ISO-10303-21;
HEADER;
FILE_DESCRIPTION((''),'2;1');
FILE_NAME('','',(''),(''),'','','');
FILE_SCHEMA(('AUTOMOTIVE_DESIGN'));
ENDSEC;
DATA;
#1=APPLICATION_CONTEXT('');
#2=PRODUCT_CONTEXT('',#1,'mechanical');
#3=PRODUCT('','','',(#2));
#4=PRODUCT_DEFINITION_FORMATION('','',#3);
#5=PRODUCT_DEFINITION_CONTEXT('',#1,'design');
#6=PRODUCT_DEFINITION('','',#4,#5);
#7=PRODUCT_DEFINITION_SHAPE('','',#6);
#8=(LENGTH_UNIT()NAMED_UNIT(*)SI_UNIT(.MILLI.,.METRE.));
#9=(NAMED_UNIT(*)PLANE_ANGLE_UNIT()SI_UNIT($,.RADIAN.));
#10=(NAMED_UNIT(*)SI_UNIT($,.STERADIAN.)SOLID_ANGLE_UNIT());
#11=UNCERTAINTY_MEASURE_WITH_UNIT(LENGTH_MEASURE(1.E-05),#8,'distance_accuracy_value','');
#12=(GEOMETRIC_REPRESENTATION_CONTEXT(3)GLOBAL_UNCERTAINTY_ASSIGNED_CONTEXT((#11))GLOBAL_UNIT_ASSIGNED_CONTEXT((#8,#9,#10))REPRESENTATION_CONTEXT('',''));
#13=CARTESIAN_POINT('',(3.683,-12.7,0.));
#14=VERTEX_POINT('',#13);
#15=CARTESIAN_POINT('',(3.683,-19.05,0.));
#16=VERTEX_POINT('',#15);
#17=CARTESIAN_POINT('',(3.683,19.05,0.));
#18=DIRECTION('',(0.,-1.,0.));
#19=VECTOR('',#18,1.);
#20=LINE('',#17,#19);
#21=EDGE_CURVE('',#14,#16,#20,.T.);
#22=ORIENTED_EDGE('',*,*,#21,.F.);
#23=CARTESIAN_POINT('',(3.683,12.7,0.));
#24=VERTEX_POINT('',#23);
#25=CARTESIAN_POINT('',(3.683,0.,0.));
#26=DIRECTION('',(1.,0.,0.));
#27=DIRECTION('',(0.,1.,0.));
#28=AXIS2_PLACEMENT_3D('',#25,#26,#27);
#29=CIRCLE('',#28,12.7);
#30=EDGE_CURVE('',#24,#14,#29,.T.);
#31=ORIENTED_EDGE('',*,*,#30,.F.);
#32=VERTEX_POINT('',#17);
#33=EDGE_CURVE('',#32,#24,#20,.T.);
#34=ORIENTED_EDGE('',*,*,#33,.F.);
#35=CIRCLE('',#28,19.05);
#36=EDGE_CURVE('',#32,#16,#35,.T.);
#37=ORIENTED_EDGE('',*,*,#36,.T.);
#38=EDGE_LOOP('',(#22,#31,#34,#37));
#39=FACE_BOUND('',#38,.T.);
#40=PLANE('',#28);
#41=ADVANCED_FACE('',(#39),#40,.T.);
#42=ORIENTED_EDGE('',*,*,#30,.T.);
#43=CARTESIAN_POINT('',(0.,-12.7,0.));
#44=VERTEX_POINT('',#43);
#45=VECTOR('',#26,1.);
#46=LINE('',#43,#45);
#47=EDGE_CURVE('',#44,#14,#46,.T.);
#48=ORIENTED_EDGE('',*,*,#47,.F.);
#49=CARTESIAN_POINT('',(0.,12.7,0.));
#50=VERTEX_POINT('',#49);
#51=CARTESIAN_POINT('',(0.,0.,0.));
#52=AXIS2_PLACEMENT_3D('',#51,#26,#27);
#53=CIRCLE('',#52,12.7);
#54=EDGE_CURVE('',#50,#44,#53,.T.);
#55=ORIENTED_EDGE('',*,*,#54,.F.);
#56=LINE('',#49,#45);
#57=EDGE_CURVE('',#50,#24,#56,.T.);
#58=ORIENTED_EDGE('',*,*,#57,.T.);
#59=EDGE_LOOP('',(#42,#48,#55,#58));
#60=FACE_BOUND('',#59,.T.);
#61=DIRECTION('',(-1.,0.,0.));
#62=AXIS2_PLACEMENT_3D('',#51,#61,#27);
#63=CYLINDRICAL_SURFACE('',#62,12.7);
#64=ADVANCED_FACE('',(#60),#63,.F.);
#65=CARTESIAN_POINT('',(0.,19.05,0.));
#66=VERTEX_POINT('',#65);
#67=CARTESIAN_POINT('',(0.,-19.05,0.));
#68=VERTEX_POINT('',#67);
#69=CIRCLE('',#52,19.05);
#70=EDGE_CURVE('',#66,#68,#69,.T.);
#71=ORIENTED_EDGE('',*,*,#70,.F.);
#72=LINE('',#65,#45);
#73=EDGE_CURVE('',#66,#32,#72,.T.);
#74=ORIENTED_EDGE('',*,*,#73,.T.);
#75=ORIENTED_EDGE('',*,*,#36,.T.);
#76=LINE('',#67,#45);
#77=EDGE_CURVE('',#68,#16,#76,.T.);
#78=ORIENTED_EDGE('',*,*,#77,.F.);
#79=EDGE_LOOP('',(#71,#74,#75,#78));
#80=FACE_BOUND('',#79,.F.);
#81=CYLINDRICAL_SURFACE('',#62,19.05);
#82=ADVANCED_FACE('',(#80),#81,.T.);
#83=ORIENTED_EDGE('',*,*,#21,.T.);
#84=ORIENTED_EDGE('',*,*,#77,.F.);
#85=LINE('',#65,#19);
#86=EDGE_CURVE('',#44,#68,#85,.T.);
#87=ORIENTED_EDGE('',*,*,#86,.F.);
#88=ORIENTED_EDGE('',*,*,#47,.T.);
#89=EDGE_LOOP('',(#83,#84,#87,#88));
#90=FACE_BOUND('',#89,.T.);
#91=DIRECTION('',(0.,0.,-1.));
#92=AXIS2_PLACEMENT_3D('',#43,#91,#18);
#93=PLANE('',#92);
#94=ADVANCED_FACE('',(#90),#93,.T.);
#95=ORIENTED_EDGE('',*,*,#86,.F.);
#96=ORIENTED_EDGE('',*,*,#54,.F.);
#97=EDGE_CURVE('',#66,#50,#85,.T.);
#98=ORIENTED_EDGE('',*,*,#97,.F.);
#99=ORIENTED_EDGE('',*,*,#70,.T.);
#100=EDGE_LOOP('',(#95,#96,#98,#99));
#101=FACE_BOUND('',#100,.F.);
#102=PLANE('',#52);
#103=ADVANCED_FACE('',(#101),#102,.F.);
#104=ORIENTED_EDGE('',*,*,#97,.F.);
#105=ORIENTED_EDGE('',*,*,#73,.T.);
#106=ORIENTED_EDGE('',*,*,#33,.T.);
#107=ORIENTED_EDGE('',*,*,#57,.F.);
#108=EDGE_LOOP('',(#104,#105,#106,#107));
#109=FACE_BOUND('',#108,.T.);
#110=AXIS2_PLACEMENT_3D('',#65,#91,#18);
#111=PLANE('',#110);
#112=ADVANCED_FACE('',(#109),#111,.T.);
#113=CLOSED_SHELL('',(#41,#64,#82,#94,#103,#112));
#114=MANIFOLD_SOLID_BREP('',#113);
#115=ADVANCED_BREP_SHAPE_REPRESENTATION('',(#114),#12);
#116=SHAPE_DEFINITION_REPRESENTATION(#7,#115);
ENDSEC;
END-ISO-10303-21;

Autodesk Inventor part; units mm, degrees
ref_plane "YZ Plane" through (0, 0, 0) normal (1, 0, 0) x (0, 1, 0)
ref_plane "XZ Plane" through (0, 0, 0) normal (0, 1, 0) x (-1, 0, 0)
ref_plane "XY Plane" through (0, 0, 0) normal (0, 0, 1) x (1, 0, 0)
sketch "Sketch1" plane through (0, 0, 0) normal (1, 0, 0) x (0, 1, 0)
  arc A0 (19.05, 0) -> (-19.05, 0) centre (0, 0) ccw
  arc A1 (12.7, 0) -> (-12.7, 0) centre (0, 0) ccw
  line L0 (19.05, 0) -> (-19.05, 0)
  arc A2 (-19.05, 0) -> (19.05, 0) centre (0, 0) ccw construction
  arc A3 (-12.7, 0) -> (12.7, 0) centre (0, 0) ccw construction
  dimension "d0" = 38.1
  dimension "d1" = 25.4
extrude "Extrusion1" add sketch "Sketch1" along normal blind 3.683 contours L0 A1 A0
properties part number "disk_support"
